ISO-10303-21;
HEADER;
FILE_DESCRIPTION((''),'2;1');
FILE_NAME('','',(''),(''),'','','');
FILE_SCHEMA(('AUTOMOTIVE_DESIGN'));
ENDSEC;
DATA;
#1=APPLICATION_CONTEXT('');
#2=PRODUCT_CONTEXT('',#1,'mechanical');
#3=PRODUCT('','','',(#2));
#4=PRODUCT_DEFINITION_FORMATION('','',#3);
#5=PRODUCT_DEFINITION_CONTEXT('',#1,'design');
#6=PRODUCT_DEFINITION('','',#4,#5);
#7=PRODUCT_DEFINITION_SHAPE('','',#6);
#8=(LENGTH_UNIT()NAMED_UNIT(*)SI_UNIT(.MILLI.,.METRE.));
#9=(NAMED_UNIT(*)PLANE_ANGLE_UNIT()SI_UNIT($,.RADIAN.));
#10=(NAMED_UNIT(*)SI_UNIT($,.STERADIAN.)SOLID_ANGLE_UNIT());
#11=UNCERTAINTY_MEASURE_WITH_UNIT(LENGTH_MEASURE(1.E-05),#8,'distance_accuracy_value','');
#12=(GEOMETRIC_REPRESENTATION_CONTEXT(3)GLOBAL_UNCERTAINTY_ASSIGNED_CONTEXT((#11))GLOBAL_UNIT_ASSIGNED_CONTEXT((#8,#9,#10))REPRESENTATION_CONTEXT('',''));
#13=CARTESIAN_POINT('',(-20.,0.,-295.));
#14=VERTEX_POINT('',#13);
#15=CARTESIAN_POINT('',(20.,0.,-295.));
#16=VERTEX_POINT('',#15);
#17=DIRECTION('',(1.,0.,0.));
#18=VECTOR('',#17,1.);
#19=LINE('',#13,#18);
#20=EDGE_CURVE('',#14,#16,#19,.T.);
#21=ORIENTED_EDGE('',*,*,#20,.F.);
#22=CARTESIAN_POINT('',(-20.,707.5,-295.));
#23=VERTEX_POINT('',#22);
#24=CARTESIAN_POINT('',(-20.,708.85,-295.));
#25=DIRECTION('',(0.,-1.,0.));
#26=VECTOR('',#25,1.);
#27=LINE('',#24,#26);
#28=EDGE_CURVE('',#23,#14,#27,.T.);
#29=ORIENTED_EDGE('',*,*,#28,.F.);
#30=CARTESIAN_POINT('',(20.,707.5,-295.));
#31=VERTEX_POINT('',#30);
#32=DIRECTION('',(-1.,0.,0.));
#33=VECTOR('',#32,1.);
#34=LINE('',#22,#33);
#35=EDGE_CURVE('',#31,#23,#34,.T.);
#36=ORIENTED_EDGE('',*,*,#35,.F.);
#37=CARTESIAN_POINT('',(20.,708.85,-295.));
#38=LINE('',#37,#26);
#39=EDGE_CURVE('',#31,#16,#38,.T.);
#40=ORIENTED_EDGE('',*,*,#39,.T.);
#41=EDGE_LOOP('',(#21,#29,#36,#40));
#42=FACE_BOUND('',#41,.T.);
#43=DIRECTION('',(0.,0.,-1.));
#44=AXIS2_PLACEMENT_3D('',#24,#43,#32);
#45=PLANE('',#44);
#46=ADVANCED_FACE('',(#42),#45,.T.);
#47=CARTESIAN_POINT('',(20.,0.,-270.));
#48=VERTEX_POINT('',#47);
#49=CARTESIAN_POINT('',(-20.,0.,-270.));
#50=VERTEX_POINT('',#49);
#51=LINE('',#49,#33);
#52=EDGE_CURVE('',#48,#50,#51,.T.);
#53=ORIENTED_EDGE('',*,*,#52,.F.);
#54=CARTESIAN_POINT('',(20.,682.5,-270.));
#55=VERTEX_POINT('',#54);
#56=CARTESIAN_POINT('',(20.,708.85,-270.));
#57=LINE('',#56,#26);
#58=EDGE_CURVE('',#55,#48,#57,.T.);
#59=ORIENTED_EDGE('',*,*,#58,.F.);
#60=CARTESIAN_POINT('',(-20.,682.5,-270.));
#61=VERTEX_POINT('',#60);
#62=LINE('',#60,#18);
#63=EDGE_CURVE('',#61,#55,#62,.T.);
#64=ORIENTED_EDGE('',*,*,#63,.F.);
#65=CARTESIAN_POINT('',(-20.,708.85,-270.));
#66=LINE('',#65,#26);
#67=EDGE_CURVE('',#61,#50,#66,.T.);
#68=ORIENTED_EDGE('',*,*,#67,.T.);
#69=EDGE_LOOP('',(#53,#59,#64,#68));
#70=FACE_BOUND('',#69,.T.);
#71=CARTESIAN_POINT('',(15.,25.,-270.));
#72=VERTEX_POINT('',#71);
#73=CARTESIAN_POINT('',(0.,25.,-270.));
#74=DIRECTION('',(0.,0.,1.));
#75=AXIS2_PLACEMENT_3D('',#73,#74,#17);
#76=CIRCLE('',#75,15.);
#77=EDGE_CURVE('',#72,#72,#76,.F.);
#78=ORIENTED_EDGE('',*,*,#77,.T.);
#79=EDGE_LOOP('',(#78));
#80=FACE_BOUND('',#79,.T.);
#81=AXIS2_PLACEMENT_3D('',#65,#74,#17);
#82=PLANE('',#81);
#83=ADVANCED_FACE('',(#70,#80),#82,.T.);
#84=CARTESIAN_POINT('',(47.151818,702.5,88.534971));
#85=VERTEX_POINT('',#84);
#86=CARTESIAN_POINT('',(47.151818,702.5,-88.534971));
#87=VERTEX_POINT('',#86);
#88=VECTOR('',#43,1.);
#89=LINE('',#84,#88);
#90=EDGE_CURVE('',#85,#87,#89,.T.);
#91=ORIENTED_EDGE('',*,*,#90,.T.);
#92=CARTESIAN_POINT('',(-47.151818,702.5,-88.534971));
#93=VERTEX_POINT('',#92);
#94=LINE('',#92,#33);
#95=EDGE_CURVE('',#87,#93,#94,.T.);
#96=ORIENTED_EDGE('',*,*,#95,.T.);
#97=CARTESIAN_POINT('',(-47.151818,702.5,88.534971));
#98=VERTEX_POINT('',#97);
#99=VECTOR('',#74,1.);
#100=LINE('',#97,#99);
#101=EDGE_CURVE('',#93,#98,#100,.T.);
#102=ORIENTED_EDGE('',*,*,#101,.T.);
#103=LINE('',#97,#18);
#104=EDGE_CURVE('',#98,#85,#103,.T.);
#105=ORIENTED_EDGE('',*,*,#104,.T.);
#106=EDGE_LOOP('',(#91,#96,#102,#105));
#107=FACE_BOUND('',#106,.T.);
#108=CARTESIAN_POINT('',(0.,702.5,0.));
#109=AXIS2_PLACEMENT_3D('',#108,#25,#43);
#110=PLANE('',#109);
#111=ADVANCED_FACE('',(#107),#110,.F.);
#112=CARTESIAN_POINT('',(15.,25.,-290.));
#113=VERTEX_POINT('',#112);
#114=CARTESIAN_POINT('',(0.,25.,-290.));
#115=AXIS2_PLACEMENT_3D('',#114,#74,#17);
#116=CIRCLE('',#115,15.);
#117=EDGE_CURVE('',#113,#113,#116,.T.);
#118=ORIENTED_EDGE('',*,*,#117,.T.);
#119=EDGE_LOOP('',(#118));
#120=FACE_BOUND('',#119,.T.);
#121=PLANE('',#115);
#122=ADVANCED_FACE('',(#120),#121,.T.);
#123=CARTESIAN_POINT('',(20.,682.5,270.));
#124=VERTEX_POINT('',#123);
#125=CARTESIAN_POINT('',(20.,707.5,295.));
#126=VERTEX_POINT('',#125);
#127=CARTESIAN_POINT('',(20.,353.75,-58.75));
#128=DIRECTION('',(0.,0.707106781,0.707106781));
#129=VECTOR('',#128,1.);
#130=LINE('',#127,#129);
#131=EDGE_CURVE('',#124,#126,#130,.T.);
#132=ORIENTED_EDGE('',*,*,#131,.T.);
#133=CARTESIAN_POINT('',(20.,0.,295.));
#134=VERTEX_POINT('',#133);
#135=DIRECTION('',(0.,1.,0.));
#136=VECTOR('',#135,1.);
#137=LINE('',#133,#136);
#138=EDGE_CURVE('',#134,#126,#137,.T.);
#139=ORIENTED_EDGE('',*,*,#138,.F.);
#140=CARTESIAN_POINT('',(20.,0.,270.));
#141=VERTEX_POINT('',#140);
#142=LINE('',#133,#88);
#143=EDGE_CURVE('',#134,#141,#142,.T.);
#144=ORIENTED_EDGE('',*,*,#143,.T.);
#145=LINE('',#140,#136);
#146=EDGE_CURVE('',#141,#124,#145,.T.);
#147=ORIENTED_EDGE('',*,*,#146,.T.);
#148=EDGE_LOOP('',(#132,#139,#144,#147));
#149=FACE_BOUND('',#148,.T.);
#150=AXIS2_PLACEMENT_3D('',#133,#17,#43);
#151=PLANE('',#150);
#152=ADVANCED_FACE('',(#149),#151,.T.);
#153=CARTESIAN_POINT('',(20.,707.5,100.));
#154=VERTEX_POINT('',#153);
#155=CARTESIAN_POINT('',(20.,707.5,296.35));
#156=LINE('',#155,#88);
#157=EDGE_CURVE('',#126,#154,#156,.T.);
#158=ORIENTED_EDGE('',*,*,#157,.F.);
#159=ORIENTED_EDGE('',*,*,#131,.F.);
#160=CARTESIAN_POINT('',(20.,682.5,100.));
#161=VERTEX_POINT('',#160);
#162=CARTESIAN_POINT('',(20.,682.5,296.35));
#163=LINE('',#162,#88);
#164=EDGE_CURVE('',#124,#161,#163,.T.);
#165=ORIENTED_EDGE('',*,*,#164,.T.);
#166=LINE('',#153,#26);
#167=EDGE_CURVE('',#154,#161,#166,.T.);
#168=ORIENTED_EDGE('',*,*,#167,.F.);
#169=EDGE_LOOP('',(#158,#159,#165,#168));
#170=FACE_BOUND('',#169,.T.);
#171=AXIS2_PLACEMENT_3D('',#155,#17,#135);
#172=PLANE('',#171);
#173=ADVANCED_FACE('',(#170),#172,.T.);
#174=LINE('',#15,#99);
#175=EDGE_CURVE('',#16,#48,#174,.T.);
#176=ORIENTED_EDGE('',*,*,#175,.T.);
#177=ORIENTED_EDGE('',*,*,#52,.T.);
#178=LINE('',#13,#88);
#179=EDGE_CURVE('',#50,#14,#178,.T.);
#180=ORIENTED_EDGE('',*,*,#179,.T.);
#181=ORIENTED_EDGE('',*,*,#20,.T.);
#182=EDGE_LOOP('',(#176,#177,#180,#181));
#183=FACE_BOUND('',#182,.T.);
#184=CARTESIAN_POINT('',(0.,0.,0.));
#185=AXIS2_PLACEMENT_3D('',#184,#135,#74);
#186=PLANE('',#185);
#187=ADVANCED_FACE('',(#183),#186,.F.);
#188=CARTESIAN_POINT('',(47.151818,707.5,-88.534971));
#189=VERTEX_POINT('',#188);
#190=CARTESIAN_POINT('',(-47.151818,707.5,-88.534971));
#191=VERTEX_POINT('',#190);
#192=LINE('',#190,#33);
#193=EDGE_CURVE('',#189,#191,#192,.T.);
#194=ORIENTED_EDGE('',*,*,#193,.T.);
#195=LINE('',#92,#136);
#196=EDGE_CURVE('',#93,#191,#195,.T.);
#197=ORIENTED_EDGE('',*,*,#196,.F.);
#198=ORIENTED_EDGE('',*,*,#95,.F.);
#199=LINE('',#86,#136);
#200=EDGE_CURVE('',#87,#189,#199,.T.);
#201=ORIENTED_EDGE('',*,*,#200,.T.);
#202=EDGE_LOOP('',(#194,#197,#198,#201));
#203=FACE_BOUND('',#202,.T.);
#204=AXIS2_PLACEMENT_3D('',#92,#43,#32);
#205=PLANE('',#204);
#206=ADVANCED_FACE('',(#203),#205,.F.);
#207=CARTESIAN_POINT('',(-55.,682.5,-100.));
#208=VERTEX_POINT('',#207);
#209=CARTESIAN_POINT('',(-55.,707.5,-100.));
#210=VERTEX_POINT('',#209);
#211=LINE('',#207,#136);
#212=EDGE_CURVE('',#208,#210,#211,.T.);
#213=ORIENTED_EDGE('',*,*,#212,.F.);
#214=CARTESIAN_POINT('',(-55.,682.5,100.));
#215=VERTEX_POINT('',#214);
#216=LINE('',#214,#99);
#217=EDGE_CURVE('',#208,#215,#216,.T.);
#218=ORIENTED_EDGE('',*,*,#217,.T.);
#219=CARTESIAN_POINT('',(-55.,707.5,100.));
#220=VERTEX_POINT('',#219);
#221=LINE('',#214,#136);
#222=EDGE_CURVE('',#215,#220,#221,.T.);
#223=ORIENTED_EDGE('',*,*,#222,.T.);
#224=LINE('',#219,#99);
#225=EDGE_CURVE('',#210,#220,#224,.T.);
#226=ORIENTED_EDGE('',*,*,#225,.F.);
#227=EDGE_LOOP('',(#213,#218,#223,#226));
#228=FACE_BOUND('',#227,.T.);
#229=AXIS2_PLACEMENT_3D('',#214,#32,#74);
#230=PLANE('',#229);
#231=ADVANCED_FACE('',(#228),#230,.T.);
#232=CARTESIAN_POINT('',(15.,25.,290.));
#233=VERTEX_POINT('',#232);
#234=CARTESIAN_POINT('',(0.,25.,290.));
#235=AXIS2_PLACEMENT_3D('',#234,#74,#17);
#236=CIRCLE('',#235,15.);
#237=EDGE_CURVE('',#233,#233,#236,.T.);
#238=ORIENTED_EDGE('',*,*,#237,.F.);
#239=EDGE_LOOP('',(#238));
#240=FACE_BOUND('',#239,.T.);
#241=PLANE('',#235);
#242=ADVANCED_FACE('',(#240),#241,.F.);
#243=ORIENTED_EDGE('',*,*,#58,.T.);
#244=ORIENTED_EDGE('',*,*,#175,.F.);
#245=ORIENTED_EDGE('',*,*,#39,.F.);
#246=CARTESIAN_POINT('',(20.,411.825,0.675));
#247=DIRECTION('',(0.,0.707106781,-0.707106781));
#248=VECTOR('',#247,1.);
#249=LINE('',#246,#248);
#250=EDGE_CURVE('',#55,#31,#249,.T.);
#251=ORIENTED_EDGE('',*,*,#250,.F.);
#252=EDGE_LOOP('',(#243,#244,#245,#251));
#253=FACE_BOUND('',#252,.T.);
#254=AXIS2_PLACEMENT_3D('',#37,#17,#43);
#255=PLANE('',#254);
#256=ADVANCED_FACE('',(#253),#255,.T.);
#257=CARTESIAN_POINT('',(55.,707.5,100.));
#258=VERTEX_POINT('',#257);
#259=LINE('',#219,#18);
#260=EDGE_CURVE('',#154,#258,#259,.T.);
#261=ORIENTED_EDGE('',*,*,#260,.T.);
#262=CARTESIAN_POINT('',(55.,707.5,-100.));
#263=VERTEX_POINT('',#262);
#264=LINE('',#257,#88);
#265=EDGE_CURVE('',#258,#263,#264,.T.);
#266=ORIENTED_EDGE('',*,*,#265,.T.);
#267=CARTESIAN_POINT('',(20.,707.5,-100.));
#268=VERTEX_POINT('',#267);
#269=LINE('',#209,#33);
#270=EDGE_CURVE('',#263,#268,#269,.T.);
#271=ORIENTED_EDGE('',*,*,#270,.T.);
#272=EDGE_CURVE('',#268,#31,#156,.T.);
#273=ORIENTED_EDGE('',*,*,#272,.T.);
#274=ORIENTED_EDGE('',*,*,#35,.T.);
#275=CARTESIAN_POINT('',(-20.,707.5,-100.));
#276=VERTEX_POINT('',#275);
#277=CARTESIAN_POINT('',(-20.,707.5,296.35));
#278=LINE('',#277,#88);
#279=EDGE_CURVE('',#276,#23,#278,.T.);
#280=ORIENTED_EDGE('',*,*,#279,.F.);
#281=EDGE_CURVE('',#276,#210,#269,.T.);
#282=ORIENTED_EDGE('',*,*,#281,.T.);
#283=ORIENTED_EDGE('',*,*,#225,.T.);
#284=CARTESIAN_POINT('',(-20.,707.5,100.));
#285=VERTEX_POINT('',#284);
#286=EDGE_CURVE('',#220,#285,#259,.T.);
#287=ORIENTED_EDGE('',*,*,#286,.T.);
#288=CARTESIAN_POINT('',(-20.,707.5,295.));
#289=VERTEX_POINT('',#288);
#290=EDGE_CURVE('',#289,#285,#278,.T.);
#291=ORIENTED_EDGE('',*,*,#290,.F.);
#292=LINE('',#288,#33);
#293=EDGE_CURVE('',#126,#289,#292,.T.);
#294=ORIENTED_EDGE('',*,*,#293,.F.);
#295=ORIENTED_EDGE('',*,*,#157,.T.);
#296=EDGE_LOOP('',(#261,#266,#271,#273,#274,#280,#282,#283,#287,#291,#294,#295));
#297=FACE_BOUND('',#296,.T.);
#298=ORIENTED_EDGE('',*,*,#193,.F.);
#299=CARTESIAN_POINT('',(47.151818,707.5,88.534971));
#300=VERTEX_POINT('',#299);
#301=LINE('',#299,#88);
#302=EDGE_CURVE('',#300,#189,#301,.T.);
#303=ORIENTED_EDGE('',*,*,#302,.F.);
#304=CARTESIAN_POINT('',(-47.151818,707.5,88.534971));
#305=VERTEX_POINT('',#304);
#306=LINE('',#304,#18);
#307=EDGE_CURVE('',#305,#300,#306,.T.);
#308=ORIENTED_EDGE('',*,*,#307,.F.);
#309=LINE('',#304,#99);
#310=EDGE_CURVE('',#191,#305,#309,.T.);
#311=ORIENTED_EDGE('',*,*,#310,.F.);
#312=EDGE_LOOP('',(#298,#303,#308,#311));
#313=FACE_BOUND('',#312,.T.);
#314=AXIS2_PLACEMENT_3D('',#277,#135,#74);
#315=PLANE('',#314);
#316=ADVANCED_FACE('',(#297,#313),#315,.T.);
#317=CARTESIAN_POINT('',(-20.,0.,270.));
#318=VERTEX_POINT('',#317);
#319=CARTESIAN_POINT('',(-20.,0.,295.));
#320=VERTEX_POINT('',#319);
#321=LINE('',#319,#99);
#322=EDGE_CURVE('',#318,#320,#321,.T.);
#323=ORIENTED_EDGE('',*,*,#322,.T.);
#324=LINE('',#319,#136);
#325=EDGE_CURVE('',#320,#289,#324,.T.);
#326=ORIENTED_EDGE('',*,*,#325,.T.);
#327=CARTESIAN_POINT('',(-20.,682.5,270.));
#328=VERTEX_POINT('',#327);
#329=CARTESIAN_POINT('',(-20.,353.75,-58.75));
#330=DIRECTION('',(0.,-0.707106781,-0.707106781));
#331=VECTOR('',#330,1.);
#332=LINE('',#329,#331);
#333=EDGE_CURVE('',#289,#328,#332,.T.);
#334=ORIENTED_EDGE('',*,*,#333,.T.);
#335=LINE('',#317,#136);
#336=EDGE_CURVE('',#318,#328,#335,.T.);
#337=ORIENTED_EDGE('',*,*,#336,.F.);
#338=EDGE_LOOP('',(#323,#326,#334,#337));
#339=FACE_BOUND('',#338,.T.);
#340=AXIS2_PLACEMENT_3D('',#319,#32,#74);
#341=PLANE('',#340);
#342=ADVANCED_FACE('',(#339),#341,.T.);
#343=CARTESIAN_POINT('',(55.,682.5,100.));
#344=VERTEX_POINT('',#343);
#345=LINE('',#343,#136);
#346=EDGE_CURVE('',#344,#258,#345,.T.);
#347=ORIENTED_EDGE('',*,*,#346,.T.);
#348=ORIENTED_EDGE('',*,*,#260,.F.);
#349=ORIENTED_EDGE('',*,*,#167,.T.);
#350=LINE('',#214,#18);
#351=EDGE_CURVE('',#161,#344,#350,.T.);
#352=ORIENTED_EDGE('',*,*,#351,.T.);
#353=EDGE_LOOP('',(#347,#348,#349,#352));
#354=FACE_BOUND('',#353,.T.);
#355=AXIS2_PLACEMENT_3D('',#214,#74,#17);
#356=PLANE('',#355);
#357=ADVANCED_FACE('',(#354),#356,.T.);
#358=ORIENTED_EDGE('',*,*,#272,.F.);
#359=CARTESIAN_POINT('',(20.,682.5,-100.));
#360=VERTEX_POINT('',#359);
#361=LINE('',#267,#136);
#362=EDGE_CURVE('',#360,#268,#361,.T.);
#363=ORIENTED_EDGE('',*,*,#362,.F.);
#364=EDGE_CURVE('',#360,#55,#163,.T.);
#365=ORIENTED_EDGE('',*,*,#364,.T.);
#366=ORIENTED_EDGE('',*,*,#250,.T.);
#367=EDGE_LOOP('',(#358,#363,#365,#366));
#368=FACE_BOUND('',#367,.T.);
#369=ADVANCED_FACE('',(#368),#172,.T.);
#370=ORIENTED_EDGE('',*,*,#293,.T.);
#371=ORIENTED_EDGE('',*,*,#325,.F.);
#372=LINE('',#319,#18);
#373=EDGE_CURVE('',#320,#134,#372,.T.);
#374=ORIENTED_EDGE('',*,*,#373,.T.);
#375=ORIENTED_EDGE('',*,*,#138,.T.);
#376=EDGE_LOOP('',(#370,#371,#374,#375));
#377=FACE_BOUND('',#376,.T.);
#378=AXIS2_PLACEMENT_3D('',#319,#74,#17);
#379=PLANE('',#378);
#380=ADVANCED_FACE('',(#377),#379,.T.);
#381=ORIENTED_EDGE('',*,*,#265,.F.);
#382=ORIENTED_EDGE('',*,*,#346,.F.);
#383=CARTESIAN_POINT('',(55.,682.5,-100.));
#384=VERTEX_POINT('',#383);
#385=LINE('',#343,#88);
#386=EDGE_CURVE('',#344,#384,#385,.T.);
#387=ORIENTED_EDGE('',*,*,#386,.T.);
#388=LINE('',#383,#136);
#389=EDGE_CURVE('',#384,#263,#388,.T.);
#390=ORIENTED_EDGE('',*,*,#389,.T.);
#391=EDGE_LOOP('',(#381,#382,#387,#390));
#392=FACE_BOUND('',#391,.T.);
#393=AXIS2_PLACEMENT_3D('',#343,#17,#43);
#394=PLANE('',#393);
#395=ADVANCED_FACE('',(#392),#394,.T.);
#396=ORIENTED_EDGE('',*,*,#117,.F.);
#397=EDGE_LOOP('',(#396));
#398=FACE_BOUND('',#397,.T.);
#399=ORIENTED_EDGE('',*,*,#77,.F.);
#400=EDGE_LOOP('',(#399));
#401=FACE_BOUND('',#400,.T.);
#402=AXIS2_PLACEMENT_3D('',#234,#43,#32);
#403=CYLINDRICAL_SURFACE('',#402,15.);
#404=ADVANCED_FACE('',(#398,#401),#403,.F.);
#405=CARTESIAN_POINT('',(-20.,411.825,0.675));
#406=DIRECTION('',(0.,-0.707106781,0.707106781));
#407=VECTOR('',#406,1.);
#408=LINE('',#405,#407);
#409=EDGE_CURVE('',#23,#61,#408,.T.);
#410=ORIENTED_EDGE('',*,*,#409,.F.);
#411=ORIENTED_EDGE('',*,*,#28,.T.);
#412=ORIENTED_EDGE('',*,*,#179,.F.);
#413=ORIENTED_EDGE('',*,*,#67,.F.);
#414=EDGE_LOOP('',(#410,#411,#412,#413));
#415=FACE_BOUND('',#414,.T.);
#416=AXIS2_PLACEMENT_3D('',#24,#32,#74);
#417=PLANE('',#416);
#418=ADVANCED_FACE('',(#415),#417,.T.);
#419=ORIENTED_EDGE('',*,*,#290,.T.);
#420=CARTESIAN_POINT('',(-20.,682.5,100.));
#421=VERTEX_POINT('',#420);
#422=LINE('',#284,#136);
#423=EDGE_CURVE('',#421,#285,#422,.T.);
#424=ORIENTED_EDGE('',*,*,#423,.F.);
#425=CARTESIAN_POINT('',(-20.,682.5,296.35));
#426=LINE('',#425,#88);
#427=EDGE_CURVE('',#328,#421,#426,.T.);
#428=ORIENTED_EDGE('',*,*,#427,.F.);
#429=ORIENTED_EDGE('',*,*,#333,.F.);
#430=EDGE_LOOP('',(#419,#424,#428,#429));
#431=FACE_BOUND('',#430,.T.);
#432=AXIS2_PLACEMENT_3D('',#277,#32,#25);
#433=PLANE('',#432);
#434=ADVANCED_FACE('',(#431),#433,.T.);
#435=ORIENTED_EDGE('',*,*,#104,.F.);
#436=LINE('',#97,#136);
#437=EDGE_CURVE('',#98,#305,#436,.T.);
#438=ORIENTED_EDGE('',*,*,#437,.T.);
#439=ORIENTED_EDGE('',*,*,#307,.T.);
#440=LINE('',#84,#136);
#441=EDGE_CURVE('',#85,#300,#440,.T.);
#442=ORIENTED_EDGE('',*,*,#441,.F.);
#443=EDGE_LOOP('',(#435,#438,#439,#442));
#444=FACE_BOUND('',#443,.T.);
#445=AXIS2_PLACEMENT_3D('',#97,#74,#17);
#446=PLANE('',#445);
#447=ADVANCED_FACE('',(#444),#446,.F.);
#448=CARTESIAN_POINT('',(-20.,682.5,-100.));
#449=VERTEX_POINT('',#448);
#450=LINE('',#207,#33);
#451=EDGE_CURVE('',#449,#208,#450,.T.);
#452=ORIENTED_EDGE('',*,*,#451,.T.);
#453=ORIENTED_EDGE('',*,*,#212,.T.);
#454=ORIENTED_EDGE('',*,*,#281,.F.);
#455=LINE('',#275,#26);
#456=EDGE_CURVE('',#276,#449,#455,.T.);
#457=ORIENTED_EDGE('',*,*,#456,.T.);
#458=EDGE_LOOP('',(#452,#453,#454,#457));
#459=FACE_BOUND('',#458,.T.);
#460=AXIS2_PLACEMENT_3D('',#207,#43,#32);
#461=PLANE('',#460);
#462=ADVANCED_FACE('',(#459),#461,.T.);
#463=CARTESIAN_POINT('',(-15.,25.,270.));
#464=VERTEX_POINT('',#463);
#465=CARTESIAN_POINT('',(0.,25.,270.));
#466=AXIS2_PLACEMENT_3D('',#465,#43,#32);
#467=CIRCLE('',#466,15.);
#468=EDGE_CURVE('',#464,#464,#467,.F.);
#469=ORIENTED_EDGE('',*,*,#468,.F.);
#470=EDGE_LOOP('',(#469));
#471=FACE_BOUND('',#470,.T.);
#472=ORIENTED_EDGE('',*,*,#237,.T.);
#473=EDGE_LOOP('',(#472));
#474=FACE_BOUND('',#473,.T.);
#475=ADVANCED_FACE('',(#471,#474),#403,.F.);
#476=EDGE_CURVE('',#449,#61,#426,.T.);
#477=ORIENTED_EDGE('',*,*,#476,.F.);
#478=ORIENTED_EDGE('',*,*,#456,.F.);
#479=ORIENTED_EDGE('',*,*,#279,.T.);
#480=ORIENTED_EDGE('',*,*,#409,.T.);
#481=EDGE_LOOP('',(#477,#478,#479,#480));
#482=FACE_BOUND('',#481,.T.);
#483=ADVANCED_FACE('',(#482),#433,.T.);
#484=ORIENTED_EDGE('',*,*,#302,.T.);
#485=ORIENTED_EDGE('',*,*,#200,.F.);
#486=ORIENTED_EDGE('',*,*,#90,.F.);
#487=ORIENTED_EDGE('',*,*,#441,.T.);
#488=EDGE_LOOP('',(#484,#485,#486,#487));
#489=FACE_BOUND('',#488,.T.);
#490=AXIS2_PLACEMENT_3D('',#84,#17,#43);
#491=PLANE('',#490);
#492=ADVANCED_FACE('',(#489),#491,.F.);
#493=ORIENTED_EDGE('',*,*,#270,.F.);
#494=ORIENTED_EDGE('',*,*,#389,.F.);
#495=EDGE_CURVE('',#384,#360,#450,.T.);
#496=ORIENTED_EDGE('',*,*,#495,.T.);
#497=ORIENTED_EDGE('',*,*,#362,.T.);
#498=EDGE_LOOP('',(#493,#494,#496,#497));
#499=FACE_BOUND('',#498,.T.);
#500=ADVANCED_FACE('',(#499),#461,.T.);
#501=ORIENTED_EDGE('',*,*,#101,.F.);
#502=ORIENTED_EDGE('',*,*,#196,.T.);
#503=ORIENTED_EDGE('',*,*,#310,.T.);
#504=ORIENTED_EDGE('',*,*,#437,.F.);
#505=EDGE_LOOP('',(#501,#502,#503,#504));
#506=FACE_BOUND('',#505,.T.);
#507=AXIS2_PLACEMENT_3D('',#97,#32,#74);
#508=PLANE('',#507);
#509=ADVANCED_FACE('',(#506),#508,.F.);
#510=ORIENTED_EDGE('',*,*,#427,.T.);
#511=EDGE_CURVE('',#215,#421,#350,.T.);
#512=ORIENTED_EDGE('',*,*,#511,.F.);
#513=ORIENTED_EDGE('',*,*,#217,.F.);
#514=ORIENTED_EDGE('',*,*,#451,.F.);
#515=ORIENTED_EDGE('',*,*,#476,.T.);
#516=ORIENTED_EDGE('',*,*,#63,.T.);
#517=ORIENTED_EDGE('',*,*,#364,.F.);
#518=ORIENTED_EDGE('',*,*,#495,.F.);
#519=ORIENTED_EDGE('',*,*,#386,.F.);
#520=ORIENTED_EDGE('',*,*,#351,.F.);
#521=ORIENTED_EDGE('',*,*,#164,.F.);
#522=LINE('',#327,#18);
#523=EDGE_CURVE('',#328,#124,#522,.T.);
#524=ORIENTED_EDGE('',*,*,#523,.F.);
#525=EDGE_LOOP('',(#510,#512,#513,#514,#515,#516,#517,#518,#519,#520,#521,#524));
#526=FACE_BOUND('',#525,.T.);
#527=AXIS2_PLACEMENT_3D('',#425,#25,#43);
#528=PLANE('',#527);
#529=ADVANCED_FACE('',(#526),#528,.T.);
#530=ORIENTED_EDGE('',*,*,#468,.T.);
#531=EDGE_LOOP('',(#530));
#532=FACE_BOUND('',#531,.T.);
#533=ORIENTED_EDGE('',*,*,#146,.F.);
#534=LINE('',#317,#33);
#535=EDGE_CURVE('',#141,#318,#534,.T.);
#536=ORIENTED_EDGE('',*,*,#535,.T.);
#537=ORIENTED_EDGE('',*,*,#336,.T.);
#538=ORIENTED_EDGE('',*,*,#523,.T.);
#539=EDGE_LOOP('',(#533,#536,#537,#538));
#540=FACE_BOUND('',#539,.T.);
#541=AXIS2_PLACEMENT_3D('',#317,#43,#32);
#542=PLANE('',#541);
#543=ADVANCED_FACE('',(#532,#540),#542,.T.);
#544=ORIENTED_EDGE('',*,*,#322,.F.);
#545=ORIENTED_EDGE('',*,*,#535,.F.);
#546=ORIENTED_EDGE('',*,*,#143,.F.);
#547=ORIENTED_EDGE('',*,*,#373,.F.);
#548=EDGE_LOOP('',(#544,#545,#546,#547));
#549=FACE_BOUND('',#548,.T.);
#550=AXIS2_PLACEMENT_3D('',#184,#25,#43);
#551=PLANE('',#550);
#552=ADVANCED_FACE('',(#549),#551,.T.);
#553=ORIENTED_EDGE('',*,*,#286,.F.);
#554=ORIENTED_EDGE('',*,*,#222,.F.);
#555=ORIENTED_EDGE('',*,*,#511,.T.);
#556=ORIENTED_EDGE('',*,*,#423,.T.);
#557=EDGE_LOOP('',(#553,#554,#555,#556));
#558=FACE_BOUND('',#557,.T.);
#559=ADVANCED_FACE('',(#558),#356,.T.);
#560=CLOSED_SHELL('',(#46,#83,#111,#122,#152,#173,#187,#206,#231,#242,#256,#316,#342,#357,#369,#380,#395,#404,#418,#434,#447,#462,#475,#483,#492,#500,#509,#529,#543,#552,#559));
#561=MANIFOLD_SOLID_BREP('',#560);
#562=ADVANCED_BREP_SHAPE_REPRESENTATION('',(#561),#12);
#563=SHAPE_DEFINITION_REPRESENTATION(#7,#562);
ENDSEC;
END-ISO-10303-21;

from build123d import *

# Parameters (mm, degrees)
SKETCH3_W               = 40
SKETCH3_H               = 25
CUT_EXTRUDE1_DEPTH      = 290
CUT_EXTRUDE1_DEPTH_BACK = 290
SKETCH4_R               = 15
SKETCH5_W               = 110
SKETCH5_H               = 200
BOSS_EXTRUDE1_DEPTH     = 25
SKETCH6_W               = 94.303635564
SKETCH6_H               = 177.0699427
CUT_EXTRUDE2_DEPTH      = 5


with BuildPart() as part:
    # Sweep1: sweep along a path in Sketch2
    with BuildLine(Plane(origin=(0, 0, 0), x_dir=(0, 0, -1), z_dir=(1, 0, 0))) as sweep1_path:
        Line((-282.5, 0), (-282.5, 695))
        Line((-282.5, 695), (282.5, 695))
        Line((282.5, 695), (282.5, 0))
    # Sketch3 → Sweep1 (sweep)
    with BuildSketch(Plane(origin=(0, 0, 0), x_dir=(1, 0, 0), z_dir=(0, 1, 0))):
        with Locations((0, -282.5)):
            Rectangle(SKETCH3_W, SKETCH3_H)
    sweep(path=sweep1_path.line, transition=Transition.RIGHT)

    # Sketch4 → Cut-Extrude1 (cut, two sides: drawn at the far end of the back side and taken through both)
    with BuildSketch(Plane.XY.offset(-CUT_EXTRUDE1_DEPTH_BACK)):
        with Locations(Location((0, 25, 0), (0, 0, 180))):
            Circle(SKETCH4_R)
    extrude(amount=CUT_EXTRUDE1_DEPTH + CUT_EXTRUDE1_DEPTH_BACK, mode=Mode.SUBTRACT)

    # Sketch5 → Boss-Extrude1 (add)
    with BuildSketch(Plane(origin=(0, 707.5, 0), x_dir=(1, 0, 0), z_dir=(0, 1, 0))):
        Rectangle(SKETCH5_W, SKETCH5_H)
    extrude(amount=-BOSS_EXTRUDE1_DEPTH)

    # Sketch6 → Cut-Extrude2 (cut)
    with BuildSketch(Plane(origin=(0, 707.5, 0), x_dir=(1, 0, 0), z_dir=(0, 1, 0))):
        Rectangle(SKETCH6_W, SKETCH6_H)
    extrude(amount=-CUT_EXTRUDE2_DEPTH, mode=Mode.SUBTRACT)


solid = part.part
